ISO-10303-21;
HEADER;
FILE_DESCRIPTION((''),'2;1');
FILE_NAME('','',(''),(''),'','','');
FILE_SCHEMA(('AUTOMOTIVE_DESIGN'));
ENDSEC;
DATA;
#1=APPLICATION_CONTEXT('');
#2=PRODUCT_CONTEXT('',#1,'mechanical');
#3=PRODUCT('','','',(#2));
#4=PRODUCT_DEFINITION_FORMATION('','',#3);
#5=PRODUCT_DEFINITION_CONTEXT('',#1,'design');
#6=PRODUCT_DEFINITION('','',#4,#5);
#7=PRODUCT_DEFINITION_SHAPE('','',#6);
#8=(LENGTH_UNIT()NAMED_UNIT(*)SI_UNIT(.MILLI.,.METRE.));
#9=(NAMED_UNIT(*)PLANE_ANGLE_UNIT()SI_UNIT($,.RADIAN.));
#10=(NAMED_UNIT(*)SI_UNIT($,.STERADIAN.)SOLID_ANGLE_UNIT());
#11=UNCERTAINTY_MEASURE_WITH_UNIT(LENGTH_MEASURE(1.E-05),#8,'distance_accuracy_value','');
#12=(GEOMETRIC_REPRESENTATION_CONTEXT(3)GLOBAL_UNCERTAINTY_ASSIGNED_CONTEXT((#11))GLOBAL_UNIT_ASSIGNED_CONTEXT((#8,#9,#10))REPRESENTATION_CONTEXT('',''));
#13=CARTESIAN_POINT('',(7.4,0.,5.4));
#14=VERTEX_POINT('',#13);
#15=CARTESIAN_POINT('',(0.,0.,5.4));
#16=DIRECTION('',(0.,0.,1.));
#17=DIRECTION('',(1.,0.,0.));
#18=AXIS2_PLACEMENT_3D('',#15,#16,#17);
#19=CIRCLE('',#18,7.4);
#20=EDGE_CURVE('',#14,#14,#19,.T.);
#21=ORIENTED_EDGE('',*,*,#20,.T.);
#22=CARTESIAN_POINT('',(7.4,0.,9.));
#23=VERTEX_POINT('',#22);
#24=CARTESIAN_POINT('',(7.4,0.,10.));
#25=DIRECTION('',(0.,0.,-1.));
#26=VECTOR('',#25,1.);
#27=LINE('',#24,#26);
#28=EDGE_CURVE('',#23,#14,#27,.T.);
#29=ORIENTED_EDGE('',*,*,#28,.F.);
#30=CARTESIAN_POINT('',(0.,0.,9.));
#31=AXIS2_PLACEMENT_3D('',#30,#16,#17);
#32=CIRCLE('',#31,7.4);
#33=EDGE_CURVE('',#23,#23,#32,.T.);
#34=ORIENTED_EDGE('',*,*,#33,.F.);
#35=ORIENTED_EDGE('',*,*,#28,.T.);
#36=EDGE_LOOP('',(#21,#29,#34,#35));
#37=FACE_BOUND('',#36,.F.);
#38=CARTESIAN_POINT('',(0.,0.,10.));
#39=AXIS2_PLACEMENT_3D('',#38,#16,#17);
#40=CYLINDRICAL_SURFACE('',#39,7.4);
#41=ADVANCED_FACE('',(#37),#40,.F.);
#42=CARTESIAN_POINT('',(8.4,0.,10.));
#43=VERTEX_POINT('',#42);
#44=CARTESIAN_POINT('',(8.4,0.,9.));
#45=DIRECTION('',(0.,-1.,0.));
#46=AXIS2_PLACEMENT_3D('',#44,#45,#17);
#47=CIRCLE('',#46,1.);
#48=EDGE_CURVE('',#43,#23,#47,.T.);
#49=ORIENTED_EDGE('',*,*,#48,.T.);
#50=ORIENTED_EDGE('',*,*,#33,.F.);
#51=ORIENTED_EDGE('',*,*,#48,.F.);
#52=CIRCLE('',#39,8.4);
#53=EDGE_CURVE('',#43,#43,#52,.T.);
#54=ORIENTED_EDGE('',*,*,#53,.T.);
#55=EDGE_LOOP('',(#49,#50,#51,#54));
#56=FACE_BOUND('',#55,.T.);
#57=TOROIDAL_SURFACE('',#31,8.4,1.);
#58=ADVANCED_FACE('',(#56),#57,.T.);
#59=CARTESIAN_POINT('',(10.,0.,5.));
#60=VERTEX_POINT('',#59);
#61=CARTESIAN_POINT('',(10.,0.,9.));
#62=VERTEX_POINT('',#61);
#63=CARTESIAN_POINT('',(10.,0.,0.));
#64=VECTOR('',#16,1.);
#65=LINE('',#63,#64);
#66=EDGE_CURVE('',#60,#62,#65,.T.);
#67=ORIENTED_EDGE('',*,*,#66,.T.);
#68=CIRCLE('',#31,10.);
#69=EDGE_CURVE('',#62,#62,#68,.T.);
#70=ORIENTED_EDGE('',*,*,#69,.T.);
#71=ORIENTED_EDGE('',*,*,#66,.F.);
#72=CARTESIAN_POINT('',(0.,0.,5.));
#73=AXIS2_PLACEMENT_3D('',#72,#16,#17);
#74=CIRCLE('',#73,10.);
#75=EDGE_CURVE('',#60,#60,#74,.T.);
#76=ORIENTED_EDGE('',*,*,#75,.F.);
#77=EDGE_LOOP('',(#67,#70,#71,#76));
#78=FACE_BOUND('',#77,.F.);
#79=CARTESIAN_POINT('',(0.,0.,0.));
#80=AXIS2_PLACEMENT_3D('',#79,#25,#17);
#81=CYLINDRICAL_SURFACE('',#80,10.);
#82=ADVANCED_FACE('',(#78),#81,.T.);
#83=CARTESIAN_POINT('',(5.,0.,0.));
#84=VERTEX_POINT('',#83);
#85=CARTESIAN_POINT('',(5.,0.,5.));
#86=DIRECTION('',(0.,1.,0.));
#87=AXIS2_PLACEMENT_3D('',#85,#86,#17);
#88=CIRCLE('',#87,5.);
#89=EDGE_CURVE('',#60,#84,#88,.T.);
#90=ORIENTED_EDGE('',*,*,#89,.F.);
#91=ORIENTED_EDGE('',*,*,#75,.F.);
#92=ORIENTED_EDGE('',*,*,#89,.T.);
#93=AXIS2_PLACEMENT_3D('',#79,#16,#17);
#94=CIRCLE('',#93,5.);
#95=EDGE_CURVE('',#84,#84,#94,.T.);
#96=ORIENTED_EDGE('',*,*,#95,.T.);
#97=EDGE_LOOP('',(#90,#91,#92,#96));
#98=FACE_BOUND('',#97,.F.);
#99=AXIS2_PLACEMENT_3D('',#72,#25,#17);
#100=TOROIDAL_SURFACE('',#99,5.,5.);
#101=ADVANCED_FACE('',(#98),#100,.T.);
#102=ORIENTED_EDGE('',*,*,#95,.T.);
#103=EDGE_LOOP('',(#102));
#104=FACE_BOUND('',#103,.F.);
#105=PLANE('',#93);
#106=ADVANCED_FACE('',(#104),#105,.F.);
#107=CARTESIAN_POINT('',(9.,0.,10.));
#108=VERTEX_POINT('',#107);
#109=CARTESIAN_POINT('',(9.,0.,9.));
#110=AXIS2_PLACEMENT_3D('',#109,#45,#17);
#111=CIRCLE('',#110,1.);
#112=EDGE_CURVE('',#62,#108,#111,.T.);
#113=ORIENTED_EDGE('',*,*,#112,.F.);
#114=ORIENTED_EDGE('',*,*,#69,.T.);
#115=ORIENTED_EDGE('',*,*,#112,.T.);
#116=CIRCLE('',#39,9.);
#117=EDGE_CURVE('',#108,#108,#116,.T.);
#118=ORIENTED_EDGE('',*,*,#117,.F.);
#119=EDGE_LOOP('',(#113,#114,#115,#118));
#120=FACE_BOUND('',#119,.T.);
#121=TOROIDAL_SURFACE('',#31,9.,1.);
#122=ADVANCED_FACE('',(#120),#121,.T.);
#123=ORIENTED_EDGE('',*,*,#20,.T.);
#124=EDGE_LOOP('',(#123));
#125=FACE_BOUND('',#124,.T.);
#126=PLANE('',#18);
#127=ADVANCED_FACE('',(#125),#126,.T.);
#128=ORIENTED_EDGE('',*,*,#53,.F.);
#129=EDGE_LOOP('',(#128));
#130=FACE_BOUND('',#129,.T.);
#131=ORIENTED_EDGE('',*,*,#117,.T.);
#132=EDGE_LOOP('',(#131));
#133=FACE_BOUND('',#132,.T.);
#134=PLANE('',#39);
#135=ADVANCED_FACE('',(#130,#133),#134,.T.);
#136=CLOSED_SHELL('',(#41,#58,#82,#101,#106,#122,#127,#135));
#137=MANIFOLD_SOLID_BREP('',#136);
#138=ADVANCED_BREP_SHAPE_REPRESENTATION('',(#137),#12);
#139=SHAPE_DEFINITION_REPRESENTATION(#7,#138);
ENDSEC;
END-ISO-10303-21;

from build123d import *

# Parameters (mm, degrees)
F0_R     = 10
F1_DEPTH = 10
F2_R     = 7.4
F3_DEPTH = 4.6
F4_R     = 5
F5_R     = 1


with BuildPart() as f1:
    # F0 (on Top) → F1 (new body)
    with BuildSketch(Plane.XY):
        Circle(F0_R)
    extrude(amount=F1_DEPTH)

    # F2 (on face) → F3 (cut)
    with BuildSketch(Plane.XY.offset(10)):
        Circle(F2_R)
    extrude(amount=-F3_DEPTH, mode=Mode.SUBTRACT)

    # F4
    f4_edges = [f1.edges().sort_by_distance(p)[0] for p in [
        (-10, 0, 0),
    ]]
    fillet(f4_edges, radius=F4_R)

    # F5
    f5_edges = [f1.edges().sort_by_distance(p)[0] for p in [
        (-7.4, 0, 10),
        (-10, 0, 10),
    ]]
    fillet(f5_edges, radius=F5_R)


solid = f1.part
